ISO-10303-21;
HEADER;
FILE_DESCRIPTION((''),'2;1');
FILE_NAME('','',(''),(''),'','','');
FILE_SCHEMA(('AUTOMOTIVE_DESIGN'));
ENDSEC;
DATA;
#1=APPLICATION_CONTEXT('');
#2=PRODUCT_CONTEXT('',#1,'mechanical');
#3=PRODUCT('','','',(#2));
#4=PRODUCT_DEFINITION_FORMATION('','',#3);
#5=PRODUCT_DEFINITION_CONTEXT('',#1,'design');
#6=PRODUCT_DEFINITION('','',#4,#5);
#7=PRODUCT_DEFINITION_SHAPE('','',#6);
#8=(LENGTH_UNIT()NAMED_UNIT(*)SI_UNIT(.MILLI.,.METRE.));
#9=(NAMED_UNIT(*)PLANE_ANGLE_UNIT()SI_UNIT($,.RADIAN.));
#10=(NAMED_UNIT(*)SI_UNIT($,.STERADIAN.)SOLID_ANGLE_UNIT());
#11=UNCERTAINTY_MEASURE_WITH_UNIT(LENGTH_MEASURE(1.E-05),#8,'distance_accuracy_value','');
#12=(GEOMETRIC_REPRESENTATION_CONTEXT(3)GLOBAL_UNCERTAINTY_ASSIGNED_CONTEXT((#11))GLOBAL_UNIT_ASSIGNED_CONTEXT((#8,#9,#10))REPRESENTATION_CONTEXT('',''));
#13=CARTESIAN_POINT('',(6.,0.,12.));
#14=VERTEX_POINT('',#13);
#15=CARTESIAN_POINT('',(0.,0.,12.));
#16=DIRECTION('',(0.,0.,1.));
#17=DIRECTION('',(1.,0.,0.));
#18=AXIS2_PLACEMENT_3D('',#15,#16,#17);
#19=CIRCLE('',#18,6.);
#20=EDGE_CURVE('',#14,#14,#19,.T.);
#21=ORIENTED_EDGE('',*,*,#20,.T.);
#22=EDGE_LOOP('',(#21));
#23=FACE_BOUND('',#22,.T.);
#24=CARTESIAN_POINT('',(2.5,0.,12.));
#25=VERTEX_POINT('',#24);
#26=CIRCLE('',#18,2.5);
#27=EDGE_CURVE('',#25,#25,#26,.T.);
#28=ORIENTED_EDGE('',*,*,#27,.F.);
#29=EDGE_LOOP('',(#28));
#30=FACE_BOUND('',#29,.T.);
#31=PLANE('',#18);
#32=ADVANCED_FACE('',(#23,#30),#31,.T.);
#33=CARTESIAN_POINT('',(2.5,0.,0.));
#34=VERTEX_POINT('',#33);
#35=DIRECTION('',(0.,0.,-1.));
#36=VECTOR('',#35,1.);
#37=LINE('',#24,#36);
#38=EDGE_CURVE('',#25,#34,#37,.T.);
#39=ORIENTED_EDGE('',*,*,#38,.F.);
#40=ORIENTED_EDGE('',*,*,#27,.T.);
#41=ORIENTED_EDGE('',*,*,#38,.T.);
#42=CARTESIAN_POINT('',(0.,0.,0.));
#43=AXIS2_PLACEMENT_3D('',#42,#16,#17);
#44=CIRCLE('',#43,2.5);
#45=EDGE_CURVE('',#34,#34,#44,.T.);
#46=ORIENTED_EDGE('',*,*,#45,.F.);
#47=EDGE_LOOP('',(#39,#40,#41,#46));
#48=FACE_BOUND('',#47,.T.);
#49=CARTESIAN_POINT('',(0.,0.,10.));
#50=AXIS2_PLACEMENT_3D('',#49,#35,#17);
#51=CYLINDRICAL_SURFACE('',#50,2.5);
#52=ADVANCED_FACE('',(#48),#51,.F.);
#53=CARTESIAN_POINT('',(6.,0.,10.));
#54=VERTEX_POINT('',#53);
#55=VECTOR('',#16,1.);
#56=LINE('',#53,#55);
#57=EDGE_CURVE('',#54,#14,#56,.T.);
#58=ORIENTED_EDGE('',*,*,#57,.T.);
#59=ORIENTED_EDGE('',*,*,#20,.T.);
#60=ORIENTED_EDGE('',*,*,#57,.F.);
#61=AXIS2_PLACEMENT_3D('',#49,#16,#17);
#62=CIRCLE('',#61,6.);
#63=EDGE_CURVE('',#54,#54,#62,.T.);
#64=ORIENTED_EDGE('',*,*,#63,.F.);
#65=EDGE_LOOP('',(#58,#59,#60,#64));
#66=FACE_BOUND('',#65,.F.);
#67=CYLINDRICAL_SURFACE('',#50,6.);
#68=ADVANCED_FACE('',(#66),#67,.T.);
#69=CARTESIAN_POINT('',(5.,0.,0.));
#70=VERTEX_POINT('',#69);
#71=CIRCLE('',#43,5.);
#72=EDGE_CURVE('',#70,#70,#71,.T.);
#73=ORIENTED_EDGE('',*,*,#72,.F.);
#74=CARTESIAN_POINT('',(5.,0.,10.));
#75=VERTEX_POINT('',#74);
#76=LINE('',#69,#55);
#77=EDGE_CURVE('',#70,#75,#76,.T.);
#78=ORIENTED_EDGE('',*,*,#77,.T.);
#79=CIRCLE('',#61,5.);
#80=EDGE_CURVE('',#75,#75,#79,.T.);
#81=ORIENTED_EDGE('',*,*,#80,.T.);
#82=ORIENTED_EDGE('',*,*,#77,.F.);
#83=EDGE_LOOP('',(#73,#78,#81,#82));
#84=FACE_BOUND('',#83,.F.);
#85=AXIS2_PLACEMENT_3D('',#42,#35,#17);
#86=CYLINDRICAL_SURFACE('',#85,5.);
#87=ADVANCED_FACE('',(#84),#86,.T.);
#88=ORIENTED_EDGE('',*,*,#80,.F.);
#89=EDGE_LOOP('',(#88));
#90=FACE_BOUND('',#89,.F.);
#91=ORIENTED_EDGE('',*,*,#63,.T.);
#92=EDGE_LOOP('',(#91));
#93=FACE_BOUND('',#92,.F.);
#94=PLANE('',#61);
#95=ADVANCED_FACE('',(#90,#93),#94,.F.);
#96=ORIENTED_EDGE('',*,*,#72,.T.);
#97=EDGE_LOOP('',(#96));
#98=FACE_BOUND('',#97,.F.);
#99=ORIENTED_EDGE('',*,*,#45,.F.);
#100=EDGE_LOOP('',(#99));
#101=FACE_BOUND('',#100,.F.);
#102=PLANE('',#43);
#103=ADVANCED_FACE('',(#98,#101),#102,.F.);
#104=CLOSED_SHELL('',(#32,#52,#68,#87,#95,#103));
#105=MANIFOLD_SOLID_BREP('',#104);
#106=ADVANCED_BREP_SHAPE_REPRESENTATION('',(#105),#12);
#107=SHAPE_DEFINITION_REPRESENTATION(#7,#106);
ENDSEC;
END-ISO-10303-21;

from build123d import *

# Parameters (mm, degrees)
SKETCH_R      = 5
SKETCH_R_2    = 2.5
PAD_DEPTH     = 10
SKETCH001_R   = 6
SKETCH001_R_2 = 2.5
PAD001_DEPTH  = 2


with BuildPart() as part:
    # Sketch → Pad (new body)
    with BuildSketch(Plane.XY):
        Circle(SKETCH_R)
        Circle(SKETCH_R_2, mode=Mode.SUBTRACT)
    extrude(amount=PAD_DEPTH)

    # Sketch001 (on Face4 of Pad) → Pad001 (join)
    with BuildSketch(Plane.XY.offset(10)):
        Circle(SKETCH001_R)
        Circle(SKETCH001_R_2, mode=Mode.SUBTRACT)
    extrude(amount=PAD001_DEPTH)


solid = part.part
